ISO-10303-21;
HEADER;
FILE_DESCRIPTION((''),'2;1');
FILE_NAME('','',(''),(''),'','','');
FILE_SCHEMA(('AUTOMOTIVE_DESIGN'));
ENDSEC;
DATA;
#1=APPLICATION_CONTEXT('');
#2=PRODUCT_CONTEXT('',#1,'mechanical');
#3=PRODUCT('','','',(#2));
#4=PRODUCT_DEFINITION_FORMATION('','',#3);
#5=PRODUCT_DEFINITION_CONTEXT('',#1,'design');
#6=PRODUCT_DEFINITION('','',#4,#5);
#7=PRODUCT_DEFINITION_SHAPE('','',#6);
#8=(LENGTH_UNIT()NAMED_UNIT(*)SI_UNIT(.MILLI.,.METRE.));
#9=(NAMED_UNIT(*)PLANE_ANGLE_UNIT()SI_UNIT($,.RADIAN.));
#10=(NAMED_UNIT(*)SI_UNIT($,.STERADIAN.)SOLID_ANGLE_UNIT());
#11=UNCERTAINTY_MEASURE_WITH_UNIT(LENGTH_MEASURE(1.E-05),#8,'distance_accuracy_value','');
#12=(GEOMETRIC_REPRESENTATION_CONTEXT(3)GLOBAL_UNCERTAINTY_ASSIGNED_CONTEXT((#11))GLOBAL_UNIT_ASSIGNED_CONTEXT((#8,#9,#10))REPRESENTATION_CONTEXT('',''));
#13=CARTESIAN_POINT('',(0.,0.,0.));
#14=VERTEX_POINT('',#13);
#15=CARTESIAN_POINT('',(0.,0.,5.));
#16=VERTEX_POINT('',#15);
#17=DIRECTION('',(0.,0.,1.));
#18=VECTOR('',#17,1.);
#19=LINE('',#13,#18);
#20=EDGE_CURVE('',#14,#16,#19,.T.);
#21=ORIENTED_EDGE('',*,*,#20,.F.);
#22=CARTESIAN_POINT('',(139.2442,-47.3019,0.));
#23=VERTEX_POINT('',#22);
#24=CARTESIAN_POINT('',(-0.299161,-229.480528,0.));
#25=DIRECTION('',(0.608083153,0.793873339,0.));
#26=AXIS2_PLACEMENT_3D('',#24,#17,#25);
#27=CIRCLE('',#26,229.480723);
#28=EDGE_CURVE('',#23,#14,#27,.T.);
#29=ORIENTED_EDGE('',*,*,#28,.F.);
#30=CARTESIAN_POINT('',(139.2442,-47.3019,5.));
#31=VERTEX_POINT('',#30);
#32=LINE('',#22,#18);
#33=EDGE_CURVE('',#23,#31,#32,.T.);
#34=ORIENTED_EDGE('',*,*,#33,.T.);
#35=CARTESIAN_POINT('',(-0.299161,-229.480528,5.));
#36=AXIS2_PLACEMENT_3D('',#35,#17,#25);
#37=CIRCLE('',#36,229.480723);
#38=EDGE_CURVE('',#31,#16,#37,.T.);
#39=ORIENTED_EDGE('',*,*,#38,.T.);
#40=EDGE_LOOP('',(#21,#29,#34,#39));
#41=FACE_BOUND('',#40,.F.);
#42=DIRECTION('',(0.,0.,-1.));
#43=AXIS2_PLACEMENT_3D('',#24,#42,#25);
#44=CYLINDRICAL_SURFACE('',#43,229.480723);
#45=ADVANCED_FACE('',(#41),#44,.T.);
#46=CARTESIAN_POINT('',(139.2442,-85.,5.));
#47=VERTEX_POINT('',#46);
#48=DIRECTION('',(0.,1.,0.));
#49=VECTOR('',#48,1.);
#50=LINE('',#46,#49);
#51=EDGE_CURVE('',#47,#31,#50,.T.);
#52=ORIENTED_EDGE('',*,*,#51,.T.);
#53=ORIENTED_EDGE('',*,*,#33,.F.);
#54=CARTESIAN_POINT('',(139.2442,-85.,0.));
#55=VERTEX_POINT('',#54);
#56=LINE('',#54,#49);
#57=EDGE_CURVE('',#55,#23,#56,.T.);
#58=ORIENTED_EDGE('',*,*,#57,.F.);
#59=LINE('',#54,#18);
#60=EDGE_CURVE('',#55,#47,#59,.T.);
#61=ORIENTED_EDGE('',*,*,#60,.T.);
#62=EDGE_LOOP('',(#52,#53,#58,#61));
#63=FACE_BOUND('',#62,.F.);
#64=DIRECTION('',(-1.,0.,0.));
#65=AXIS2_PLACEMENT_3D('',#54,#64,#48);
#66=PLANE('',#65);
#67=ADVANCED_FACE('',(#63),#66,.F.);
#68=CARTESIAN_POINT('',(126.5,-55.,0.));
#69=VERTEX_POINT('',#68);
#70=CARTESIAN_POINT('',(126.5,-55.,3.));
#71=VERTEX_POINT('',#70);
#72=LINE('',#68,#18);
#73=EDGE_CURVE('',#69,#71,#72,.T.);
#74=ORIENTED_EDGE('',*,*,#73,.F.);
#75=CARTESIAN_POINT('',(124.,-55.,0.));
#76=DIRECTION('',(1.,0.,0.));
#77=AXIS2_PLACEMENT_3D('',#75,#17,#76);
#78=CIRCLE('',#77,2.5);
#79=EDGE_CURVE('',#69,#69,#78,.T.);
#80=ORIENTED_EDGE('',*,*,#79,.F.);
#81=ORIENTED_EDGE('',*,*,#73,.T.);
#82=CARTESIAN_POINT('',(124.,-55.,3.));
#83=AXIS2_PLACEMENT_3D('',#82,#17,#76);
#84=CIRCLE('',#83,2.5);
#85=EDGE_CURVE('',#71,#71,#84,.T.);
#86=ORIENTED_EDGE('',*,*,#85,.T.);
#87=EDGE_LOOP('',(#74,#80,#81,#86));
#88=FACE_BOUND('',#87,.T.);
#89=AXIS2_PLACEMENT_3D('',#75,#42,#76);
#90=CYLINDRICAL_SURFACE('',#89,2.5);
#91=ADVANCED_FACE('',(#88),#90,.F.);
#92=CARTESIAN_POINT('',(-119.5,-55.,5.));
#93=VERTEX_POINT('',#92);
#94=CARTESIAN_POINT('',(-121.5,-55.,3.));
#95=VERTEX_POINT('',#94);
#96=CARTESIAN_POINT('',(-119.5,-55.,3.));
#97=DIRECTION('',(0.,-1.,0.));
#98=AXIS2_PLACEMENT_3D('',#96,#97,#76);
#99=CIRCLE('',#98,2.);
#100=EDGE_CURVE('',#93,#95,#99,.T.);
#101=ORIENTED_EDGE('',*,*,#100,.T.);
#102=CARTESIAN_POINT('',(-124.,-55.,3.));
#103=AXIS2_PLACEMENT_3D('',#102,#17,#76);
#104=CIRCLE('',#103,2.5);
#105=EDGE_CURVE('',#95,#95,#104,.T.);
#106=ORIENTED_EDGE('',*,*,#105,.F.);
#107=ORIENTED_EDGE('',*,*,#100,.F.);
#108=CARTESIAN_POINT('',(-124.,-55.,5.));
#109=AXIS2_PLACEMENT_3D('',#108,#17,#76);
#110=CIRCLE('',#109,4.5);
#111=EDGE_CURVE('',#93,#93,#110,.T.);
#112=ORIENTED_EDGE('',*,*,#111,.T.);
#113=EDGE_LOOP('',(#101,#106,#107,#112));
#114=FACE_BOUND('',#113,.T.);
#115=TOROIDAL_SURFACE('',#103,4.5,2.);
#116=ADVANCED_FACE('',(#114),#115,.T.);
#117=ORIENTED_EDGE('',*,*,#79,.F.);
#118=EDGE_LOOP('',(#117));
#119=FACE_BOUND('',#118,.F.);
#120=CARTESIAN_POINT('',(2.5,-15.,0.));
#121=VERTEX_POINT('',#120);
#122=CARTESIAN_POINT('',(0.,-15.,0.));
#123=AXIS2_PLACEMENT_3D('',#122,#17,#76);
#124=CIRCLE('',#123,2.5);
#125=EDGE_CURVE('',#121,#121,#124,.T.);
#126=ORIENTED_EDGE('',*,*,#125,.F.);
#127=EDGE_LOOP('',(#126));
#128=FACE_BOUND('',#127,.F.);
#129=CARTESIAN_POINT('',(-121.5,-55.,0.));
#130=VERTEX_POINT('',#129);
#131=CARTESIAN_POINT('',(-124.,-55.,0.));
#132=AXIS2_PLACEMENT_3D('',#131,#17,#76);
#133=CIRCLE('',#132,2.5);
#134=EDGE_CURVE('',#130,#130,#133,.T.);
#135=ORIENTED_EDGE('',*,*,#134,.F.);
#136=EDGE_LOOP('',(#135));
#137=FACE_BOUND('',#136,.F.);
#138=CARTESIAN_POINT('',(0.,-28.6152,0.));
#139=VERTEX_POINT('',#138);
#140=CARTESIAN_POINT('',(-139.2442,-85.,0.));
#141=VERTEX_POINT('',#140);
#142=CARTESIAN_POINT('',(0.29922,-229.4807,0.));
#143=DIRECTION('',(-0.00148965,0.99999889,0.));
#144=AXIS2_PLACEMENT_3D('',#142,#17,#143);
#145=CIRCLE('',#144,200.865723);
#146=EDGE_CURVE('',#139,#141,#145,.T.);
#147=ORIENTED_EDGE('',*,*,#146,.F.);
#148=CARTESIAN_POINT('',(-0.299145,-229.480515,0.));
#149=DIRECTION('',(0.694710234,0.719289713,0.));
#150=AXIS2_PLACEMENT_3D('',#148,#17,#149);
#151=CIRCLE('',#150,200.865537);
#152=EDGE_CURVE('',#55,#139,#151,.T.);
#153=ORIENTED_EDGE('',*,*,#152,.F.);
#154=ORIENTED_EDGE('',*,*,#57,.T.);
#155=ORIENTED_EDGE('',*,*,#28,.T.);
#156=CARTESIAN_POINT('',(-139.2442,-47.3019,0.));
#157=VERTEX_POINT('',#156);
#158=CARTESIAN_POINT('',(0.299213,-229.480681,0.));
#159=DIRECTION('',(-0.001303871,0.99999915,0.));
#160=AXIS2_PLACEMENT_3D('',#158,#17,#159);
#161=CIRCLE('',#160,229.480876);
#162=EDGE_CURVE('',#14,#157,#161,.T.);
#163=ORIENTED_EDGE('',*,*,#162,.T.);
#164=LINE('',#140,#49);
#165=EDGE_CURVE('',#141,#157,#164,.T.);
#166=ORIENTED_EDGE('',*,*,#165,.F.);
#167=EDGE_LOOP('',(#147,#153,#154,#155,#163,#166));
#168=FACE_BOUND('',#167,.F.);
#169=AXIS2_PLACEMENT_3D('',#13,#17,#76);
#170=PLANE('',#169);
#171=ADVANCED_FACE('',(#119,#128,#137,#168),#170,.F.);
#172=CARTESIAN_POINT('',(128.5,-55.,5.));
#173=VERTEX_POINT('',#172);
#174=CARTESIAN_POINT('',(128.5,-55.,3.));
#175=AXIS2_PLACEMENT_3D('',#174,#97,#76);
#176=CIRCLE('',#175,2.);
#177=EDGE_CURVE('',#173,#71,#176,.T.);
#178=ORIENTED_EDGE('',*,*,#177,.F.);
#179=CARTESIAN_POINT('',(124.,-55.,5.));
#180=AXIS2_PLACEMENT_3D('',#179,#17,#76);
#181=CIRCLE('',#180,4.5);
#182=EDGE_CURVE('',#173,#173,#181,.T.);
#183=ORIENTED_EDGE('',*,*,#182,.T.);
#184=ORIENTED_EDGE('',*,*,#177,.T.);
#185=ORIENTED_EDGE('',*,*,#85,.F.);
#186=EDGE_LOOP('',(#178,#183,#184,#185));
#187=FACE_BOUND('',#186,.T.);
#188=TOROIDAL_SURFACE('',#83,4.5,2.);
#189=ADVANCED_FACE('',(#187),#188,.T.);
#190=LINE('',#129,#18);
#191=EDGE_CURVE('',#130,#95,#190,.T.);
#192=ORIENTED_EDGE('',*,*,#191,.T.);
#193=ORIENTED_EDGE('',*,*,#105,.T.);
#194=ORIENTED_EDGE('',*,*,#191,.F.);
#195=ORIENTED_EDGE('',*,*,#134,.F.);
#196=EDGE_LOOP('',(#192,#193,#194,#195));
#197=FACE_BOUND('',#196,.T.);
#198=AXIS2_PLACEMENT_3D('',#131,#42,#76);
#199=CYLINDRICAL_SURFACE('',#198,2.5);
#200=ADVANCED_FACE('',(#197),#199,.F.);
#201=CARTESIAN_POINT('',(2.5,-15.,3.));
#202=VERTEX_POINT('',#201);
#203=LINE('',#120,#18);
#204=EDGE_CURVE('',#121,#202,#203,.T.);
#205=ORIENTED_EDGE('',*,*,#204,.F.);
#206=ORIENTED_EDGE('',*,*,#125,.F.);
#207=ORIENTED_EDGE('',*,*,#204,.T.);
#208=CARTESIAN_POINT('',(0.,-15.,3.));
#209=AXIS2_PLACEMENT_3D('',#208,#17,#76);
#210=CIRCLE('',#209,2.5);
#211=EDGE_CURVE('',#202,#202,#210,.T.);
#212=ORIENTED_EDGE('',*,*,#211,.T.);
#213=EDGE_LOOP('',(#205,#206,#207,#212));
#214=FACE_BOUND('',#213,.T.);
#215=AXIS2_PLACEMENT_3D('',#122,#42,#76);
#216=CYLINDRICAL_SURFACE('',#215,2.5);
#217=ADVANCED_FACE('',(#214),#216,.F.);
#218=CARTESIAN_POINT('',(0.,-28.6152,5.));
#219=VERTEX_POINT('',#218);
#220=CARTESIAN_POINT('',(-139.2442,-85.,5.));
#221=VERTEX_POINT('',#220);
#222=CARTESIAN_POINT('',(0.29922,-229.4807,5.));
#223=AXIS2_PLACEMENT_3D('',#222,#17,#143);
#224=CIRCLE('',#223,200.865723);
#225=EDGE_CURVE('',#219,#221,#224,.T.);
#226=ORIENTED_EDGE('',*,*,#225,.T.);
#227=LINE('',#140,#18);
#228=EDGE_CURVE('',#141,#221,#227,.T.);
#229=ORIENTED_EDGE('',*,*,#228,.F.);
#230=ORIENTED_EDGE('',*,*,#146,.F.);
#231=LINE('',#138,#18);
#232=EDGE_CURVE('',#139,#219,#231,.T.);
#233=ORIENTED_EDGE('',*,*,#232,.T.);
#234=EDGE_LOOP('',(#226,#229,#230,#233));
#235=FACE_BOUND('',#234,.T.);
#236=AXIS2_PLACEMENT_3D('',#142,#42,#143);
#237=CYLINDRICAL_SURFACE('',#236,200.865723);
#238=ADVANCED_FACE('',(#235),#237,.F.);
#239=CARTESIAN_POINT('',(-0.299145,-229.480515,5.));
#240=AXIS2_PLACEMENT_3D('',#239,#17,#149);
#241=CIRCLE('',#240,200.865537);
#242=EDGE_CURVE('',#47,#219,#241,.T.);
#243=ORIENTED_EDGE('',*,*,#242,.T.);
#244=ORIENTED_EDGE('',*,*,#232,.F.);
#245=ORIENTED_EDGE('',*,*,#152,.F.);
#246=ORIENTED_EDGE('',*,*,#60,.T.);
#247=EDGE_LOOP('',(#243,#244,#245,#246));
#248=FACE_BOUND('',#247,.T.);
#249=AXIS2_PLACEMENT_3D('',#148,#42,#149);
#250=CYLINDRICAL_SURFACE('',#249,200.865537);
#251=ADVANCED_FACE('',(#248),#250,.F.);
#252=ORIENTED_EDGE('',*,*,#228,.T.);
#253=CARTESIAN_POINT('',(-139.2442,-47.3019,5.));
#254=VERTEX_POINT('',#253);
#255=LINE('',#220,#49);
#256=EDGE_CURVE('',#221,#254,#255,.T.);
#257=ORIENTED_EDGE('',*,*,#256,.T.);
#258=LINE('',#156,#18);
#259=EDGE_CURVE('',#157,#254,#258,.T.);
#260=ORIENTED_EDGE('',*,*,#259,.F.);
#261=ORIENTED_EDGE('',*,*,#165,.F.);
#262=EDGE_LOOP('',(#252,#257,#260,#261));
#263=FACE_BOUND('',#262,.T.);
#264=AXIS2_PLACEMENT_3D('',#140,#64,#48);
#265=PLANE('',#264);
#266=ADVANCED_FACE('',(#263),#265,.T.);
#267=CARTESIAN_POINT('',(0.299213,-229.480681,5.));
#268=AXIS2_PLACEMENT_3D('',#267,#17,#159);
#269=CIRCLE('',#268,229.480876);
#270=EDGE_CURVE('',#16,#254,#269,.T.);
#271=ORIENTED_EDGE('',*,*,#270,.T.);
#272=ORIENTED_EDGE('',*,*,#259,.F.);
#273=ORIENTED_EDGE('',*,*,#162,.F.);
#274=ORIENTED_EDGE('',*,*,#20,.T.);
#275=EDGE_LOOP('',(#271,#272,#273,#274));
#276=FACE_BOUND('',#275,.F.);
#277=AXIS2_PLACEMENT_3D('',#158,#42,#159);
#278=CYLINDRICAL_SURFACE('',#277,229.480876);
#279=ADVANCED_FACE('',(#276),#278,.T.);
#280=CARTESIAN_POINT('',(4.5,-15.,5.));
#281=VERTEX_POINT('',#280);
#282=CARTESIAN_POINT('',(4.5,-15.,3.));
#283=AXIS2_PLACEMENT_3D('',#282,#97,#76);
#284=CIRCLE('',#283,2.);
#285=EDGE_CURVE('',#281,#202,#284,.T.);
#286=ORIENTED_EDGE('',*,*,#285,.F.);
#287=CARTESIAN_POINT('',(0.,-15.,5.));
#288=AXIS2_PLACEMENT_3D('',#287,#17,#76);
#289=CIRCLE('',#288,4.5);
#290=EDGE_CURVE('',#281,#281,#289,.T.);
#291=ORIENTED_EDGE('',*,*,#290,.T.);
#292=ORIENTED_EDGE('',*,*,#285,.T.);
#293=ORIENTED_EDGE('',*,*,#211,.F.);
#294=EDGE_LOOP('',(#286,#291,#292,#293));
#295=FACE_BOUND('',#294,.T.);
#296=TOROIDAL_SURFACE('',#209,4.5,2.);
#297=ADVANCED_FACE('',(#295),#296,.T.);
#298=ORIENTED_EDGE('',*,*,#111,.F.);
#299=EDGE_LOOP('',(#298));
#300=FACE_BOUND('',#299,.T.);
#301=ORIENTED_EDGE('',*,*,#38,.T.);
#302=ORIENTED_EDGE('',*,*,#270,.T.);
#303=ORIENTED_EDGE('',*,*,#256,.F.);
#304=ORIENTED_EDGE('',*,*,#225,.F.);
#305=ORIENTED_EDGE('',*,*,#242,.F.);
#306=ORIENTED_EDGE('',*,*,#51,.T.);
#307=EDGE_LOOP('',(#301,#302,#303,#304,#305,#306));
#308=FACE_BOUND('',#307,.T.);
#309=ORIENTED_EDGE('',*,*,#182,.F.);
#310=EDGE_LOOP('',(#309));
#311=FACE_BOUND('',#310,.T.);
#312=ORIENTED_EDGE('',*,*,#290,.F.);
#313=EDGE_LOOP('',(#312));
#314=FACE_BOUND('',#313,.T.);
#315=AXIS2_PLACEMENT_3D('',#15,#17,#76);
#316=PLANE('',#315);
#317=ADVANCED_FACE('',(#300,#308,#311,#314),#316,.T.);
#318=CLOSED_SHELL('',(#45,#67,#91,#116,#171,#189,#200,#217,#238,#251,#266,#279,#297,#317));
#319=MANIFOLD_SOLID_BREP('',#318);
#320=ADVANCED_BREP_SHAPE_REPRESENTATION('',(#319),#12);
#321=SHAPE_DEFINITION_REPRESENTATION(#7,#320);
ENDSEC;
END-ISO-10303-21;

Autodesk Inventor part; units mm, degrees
ref_plane "YZ Plane" through (0, 0, 0) normal (1, 0, 0) x (0, 1, 0)
ref_plane "XZ Plane" through (0, 0, 0) normal (0, 1, 0) x (-1, 0, 0)
ref_plane "XY Plane" through (0, 0, 0) normal (0, 0, 1) x (1, 0, 0)
sketch "Sketch14" plane through (0, 0, 0) normal (0, 0, 1) x (1, 0, 0)
  line L0 (-139.2442, -85) -> (-139.2442, -47.3019)
  line L1 (0, 0) -> (0, -356.2475) construction
  line L2 (0, 0) -> (-146.5249, 0) construction
  circle A0 centre (0, -228.6) radius 228.6 construction
  arc A1 (0, 0) -> (-139.2442, -47.3019) centre (0.2992, -229.4806) ccw
  arc A2 (0, -28.6152) -> (-139.2442, -85) centre (0.2992, -229.4806) ccw
  line L3 (139.2442, -85) -> (139.2442, -47.3019)
  arc A3 (139.2442, -47.3019) -> (0, 0) centre (-0.2992, -229.4806) ccw
  arc A4 (139.2442, -85) -> (0, -28.6152) centre (-0.2992, -229.4806) ccw
  circle A5 centre (0, -15) radius 7.5
  circle A6 centre (-124, -55) radius 7.5
  circle A7 centre (124, -55) radius 7.5
  circle A8 centre (-124, -55) radius 2.5
  circle A9 centre (0, -15) radius 2.5
  circle A10 centre (124, -55) radius 2.5
  dimension "d152" = 139.2442
  dimension "d153" = 85
  dimension "d155" = 457.2
  dimension "d156" = 200.8656
  dimension "d159" = 15
  dimension "d160" = 15
  dimension "d161" = 15
  dimension "d162" = 55
  dimension "d163" = 124
  dimension "d164" = 5
  dimension "d165" = 5
  dimension "d166" = 5
extrude "Extrusion14" add sketch "Sketch14" along normal blind 5 contours L0 A1 A3 L3 A4 A2 | A5 | A6 | A7
fillet "Fillet2" radius 2 3 edges at (-126.5, -55, 5) (-2.5, -15, 5) (121.5, -55, 5)
properties part number "BaseCover" material "ABS Plastic"
